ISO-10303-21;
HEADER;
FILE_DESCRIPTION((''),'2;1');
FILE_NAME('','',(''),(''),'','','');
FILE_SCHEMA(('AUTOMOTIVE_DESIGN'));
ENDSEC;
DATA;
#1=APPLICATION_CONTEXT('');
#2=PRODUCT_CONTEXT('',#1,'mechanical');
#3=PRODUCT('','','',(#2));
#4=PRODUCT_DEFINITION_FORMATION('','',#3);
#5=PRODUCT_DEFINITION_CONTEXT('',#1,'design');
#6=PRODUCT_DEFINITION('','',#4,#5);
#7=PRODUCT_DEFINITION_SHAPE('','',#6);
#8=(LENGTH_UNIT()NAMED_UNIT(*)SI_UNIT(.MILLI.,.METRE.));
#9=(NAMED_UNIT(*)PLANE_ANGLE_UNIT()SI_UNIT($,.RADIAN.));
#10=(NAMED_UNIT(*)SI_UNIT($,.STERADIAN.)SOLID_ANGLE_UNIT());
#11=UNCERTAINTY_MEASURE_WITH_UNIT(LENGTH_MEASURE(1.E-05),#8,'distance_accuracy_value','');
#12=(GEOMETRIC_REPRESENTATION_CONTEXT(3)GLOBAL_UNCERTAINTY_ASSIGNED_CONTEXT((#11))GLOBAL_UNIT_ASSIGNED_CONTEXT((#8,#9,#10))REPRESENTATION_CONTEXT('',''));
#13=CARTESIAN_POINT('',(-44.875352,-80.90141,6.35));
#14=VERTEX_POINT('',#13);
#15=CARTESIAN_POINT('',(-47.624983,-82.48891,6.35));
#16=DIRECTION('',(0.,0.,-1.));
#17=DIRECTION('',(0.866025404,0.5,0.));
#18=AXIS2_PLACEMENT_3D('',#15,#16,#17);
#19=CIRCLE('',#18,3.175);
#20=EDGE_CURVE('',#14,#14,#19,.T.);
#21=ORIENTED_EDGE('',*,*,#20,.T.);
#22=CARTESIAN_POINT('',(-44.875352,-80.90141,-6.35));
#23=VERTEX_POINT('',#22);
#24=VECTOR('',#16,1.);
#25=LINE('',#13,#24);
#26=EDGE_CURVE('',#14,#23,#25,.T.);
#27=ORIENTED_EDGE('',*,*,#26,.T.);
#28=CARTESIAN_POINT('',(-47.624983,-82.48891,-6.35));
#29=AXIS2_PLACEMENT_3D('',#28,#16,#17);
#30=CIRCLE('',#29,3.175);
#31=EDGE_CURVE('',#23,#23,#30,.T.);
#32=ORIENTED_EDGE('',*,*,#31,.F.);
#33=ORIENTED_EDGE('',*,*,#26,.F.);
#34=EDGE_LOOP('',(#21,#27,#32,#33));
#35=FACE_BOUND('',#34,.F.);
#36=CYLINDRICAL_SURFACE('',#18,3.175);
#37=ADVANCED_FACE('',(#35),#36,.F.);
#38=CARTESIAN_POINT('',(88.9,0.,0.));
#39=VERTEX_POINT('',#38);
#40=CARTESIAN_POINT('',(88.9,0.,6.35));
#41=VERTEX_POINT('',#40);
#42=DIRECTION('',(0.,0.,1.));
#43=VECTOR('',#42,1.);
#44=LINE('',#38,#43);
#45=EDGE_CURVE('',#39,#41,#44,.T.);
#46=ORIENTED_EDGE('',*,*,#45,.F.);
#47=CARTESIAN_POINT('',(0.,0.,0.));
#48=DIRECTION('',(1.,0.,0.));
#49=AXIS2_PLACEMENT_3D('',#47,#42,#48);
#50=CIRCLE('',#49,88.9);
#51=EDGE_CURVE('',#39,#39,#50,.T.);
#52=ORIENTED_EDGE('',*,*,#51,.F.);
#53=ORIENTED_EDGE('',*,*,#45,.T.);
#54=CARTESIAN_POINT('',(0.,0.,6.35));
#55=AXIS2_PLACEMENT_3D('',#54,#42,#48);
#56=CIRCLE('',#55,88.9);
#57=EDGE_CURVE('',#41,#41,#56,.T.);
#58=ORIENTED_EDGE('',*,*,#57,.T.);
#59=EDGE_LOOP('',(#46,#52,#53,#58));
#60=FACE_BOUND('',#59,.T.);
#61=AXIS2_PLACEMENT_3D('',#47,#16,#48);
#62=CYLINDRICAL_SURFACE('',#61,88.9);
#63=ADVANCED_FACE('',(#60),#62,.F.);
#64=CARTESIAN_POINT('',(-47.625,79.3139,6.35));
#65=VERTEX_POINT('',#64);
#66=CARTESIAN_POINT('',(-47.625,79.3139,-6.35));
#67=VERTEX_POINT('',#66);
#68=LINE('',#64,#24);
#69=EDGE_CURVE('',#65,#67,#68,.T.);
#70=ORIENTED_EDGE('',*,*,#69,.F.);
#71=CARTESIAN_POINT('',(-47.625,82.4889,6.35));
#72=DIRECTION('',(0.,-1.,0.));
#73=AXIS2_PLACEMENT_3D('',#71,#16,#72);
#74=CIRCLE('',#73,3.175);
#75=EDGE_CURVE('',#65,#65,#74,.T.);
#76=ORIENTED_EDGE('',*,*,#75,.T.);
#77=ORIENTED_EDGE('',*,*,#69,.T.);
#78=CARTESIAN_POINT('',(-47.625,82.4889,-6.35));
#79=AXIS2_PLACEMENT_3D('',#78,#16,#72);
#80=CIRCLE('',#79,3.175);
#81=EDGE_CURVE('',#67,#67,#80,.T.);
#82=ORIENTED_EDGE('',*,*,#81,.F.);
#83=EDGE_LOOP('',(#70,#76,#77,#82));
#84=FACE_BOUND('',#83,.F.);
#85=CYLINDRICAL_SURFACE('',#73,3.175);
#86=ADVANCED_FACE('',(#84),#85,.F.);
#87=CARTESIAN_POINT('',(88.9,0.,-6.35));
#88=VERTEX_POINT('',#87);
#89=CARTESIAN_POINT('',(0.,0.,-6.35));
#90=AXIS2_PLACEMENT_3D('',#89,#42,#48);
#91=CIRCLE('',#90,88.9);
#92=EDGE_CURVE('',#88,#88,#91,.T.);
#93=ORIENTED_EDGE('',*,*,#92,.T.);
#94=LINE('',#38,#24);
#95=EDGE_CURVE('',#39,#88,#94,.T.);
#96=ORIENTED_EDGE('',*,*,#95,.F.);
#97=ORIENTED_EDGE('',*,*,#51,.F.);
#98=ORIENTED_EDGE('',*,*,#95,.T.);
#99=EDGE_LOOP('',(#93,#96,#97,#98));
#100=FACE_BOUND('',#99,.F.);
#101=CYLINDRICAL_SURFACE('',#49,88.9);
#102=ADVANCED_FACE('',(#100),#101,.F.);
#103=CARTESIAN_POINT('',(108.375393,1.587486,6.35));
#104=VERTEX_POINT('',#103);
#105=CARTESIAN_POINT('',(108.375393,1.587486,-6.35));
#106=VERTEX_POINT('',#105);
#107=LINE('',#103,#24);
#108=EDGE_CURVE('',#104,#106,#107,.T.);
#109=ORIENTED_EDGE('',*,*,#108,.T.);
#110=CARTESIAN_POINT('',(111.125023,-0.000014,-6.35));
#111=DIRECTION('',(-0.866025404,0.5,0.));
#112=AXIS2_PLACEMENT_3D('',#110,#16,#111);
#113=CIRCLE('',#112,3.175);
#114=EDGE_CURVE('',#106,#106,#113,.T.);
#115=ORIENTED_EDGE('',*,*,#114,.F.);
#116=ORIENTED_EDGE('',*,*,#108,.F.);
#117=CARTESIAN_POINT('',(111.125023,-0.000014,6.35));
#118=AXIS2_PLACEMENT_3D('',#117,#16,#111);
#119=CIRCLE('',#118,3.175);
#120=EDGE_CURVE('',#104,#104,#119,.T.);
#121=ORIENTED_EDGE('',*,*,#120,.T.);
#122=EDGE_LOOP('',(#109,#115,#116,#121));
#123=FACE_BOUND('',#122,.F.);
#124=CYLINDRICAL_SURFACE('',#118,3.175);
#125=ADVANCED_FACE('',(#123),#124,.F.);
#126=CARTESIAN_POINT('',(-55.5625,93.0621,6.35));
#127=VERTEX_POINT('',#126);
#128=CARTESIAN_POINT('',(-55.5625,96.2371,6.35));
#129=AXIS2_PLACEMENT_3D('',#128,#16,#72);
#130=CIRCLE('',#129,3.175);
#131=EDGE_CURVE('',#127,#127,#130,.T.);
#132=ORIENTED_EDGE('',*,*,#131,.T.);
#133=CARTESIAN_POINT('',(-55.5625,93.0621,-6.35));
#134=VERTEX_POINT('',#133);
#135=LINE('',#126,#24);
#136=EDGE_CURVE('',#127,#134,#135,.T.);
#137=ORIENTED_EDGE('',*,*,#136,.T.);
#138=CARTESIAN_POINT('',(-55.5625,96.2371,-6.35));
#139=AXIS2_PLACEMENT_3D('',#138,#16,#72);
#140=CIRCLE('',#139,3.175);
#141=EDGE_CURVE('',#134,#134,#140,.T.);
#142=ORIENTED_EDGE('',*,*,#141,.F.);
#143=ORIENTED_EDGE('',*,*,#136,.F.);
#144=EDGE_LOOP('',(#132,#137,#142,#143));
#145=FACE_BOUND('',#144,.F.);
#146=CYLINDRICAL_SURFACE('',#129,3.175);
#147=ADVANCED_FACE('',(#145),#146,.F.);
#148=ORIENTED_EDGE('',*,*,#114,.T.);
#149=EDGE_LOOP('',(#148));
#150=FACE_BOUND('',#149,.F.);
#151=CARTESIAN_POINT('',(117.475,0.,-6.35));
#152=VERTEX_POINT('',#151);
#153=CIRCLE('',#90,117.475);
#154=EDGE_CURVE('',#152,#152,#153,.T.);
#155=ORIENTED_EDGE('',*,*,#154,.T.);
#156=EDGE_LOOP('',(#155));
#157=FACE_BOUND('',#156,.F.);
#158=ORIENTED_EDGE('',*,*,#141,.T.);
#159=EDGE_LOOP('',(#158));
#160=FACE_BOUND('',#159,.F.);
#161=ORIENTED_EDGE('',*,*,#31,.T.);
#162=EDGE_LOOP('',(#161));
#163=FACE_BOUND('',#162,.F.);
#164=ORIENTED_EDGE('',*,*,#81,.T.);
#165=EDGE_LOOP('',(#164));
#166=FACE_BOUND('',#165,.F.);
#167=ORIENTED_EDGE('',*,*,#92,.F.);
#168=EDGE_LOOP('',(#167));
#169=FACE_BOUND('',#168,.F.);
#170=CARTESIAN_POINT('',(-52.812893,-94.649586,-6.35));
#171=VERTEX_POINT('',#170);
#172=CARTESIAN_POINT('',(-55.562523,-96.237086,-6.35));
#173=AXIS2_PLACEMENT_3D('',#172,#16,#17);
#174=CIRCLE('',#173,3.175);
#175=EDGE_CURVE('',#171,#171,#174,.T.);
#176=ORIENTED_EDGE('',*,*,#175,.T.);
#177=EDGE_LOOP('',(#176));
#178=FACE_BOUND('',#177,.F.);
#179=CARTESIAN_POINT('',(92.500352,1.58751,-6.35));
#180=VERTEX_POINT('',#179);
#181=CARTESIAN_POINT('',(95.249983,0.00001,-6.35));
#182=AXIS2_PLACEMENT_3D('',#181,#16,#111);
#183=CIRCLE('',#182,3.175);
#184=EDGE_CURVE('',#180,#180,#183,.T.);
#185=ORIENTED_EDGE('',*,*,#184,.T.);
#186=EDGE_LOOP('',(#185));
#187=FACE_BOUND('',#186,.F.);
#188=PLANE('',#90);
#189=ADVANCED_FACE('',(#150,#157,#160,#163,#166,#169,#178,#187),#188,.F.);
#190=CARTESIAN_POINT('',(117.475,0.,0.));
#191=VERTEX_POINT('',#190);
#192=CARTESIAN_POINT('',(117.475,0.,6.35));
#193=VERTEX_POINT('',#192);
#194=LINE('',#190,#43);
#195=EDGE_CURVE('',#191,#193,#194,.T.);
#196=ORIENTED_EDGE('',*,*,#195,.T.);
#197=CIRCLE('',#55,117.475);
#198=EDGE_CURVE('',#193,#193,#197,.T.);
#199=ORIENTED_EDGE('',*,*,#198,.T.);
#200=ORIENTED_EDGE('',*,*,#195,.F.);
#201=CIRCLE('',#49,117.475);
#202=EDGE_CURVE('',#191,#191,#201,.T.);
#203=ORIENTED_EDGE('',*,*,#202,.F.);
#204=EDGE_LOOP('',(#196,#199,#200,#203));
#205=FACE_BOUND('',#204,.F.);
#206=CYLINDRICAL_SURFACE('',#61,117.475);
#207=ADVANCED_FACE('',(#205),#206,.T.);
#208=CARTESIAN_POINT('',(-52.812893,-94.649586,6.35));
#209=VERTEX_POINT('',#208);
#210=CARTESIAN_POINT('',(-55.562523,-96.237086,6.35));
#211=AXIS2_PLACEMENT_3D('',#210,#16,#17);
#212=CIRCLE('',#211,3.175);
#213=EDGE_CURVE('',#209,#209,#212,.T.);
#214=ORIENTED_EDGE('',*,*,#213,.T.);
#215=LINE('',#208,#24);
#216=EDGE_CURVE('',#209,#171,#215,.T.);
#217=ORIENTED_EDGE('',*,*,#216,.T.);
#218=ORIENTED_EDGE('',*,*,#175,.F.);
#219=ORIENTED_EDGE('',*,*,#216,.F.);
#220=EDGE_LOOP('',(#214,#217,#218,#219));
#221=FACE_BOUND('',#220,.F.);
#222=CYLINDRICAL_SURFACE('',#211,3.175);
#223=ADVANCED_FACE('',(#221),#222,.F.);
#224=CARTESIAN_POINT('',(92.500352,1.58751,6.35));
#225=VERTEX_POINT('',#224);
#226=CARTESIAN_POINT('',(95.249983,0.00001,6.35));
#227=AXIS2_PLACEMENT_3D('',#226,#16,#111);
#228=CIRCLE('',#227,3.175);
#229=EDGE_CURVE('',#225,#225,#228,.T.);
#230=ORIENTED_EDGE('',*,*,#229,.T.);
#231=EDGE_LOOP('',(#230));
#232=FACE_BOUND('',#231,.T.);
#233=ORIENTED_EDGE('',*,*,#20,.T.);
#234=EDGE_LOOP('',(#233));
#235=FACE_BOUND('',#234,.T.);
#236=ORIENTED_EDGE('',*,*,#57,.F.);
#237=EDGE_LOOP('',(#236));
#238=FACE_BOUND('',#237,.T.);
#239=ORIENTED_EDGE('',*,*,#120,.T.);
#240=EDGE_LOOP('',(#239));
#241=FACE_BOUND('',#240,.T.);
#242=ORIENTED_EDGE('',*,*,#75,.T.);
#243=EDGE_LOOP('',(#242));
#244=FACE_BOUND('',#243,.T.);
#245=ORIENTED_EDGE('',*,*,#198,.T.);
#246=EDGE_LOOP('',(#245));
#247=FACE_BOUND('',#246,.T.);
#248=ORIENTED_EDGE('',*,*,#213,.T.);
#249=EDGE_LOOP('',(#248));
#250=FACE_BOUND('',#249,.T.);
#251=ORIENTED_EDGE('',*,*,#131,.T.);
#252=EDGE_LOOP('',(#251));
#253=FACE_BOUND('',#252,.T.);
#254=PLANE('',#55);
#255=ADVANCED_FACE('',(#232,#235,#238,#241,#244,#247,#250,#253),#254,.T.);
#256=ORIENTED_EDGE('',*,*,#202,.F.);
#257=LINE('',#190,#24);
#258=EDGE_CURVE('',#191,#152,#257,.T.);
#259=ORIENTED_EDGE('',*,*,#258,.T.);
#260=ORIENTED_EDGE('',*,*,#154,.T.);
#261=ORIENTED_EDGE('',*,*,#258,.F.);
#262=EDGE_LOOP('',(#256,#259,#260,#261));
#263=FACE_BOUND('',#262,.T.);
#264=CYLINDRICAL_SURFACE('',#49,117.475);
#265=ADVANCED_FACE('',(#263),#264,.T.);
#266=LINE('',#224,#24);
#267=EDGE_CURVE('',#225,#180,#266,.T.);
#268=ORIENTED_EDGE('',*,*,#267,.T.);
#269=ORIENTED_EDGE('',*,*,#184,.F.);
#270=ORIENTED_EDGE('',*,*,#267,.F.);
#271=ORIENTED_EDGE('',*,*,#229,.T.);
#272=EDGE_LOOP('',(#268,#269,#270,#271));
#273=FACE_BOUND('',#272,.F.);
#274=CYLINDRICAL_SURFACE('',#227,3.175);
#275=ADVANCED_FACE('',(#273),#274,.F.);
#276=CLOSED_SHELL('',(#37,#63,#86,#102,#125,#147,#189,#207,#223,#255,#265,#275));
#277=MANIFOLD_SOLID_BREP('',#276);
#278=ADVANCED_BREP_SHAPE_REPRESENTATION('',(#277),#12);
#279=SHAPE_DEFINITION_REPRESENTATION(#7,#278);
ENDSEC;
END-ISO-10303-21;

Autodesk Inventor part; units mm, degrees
ref_plane "YZ Plane" through (0, 0, 0) normal (1, 0, 0) x (0, 1, 0)
ref_plane "XZ Plane" through (0, 0, 0) normal (0, 1, 0) x (-1, 0, 0)
ref_plane "XY Plane" through (0, 0, 0) normal (0, 0, 1) x (1, 0, 0)
sketch "Sketch1" plane through (0, 0, 0) normal (0, 0, 1) x (1, 0, 0)
  circle A0 centre (0, 0) radius 88.9
  circle A1 centre (0, 0) radius 117.475
  dimension "d0" = 177.8
  dimension "d2" = 28.575
extrude "Extrusion1" add sketch "Sketch1" along normal mid plane 12.7
sketch "Sketch2" plane through (0, 0, 6.35) normal (0, 0, 1) x (1, 0, 0)
  circle A0 centre (0, 0) radius 117.475 projected
  line L0 (0, 0) -> (-47.625, 82.4889) construction
  line L1 (-164.465, 0) -> (164.465, 0) projected
  line L2 (0, -164.465) -> (0, 164.465) projected
  line L3 (-47.625, 82.4889) -> (-55.5625, 96.2371) construction
  dimension "d5" = 30
  dimension "d16" = 95.25
  dimension "d17" = 15.875
hole "Hole1" at (-47.625, 82.4889, 6.35) at (-55.5625, 96.2371, 6.35) direction (0, 0, -1) diameter 6.35 end through all
pattern_circular "Circular Pattern1" count 3 over 360 about axis through (0, 0, -10) along (0, 0, 1) of "Hole1"
properties part number "ring_top" material "Aluminum-6061"
